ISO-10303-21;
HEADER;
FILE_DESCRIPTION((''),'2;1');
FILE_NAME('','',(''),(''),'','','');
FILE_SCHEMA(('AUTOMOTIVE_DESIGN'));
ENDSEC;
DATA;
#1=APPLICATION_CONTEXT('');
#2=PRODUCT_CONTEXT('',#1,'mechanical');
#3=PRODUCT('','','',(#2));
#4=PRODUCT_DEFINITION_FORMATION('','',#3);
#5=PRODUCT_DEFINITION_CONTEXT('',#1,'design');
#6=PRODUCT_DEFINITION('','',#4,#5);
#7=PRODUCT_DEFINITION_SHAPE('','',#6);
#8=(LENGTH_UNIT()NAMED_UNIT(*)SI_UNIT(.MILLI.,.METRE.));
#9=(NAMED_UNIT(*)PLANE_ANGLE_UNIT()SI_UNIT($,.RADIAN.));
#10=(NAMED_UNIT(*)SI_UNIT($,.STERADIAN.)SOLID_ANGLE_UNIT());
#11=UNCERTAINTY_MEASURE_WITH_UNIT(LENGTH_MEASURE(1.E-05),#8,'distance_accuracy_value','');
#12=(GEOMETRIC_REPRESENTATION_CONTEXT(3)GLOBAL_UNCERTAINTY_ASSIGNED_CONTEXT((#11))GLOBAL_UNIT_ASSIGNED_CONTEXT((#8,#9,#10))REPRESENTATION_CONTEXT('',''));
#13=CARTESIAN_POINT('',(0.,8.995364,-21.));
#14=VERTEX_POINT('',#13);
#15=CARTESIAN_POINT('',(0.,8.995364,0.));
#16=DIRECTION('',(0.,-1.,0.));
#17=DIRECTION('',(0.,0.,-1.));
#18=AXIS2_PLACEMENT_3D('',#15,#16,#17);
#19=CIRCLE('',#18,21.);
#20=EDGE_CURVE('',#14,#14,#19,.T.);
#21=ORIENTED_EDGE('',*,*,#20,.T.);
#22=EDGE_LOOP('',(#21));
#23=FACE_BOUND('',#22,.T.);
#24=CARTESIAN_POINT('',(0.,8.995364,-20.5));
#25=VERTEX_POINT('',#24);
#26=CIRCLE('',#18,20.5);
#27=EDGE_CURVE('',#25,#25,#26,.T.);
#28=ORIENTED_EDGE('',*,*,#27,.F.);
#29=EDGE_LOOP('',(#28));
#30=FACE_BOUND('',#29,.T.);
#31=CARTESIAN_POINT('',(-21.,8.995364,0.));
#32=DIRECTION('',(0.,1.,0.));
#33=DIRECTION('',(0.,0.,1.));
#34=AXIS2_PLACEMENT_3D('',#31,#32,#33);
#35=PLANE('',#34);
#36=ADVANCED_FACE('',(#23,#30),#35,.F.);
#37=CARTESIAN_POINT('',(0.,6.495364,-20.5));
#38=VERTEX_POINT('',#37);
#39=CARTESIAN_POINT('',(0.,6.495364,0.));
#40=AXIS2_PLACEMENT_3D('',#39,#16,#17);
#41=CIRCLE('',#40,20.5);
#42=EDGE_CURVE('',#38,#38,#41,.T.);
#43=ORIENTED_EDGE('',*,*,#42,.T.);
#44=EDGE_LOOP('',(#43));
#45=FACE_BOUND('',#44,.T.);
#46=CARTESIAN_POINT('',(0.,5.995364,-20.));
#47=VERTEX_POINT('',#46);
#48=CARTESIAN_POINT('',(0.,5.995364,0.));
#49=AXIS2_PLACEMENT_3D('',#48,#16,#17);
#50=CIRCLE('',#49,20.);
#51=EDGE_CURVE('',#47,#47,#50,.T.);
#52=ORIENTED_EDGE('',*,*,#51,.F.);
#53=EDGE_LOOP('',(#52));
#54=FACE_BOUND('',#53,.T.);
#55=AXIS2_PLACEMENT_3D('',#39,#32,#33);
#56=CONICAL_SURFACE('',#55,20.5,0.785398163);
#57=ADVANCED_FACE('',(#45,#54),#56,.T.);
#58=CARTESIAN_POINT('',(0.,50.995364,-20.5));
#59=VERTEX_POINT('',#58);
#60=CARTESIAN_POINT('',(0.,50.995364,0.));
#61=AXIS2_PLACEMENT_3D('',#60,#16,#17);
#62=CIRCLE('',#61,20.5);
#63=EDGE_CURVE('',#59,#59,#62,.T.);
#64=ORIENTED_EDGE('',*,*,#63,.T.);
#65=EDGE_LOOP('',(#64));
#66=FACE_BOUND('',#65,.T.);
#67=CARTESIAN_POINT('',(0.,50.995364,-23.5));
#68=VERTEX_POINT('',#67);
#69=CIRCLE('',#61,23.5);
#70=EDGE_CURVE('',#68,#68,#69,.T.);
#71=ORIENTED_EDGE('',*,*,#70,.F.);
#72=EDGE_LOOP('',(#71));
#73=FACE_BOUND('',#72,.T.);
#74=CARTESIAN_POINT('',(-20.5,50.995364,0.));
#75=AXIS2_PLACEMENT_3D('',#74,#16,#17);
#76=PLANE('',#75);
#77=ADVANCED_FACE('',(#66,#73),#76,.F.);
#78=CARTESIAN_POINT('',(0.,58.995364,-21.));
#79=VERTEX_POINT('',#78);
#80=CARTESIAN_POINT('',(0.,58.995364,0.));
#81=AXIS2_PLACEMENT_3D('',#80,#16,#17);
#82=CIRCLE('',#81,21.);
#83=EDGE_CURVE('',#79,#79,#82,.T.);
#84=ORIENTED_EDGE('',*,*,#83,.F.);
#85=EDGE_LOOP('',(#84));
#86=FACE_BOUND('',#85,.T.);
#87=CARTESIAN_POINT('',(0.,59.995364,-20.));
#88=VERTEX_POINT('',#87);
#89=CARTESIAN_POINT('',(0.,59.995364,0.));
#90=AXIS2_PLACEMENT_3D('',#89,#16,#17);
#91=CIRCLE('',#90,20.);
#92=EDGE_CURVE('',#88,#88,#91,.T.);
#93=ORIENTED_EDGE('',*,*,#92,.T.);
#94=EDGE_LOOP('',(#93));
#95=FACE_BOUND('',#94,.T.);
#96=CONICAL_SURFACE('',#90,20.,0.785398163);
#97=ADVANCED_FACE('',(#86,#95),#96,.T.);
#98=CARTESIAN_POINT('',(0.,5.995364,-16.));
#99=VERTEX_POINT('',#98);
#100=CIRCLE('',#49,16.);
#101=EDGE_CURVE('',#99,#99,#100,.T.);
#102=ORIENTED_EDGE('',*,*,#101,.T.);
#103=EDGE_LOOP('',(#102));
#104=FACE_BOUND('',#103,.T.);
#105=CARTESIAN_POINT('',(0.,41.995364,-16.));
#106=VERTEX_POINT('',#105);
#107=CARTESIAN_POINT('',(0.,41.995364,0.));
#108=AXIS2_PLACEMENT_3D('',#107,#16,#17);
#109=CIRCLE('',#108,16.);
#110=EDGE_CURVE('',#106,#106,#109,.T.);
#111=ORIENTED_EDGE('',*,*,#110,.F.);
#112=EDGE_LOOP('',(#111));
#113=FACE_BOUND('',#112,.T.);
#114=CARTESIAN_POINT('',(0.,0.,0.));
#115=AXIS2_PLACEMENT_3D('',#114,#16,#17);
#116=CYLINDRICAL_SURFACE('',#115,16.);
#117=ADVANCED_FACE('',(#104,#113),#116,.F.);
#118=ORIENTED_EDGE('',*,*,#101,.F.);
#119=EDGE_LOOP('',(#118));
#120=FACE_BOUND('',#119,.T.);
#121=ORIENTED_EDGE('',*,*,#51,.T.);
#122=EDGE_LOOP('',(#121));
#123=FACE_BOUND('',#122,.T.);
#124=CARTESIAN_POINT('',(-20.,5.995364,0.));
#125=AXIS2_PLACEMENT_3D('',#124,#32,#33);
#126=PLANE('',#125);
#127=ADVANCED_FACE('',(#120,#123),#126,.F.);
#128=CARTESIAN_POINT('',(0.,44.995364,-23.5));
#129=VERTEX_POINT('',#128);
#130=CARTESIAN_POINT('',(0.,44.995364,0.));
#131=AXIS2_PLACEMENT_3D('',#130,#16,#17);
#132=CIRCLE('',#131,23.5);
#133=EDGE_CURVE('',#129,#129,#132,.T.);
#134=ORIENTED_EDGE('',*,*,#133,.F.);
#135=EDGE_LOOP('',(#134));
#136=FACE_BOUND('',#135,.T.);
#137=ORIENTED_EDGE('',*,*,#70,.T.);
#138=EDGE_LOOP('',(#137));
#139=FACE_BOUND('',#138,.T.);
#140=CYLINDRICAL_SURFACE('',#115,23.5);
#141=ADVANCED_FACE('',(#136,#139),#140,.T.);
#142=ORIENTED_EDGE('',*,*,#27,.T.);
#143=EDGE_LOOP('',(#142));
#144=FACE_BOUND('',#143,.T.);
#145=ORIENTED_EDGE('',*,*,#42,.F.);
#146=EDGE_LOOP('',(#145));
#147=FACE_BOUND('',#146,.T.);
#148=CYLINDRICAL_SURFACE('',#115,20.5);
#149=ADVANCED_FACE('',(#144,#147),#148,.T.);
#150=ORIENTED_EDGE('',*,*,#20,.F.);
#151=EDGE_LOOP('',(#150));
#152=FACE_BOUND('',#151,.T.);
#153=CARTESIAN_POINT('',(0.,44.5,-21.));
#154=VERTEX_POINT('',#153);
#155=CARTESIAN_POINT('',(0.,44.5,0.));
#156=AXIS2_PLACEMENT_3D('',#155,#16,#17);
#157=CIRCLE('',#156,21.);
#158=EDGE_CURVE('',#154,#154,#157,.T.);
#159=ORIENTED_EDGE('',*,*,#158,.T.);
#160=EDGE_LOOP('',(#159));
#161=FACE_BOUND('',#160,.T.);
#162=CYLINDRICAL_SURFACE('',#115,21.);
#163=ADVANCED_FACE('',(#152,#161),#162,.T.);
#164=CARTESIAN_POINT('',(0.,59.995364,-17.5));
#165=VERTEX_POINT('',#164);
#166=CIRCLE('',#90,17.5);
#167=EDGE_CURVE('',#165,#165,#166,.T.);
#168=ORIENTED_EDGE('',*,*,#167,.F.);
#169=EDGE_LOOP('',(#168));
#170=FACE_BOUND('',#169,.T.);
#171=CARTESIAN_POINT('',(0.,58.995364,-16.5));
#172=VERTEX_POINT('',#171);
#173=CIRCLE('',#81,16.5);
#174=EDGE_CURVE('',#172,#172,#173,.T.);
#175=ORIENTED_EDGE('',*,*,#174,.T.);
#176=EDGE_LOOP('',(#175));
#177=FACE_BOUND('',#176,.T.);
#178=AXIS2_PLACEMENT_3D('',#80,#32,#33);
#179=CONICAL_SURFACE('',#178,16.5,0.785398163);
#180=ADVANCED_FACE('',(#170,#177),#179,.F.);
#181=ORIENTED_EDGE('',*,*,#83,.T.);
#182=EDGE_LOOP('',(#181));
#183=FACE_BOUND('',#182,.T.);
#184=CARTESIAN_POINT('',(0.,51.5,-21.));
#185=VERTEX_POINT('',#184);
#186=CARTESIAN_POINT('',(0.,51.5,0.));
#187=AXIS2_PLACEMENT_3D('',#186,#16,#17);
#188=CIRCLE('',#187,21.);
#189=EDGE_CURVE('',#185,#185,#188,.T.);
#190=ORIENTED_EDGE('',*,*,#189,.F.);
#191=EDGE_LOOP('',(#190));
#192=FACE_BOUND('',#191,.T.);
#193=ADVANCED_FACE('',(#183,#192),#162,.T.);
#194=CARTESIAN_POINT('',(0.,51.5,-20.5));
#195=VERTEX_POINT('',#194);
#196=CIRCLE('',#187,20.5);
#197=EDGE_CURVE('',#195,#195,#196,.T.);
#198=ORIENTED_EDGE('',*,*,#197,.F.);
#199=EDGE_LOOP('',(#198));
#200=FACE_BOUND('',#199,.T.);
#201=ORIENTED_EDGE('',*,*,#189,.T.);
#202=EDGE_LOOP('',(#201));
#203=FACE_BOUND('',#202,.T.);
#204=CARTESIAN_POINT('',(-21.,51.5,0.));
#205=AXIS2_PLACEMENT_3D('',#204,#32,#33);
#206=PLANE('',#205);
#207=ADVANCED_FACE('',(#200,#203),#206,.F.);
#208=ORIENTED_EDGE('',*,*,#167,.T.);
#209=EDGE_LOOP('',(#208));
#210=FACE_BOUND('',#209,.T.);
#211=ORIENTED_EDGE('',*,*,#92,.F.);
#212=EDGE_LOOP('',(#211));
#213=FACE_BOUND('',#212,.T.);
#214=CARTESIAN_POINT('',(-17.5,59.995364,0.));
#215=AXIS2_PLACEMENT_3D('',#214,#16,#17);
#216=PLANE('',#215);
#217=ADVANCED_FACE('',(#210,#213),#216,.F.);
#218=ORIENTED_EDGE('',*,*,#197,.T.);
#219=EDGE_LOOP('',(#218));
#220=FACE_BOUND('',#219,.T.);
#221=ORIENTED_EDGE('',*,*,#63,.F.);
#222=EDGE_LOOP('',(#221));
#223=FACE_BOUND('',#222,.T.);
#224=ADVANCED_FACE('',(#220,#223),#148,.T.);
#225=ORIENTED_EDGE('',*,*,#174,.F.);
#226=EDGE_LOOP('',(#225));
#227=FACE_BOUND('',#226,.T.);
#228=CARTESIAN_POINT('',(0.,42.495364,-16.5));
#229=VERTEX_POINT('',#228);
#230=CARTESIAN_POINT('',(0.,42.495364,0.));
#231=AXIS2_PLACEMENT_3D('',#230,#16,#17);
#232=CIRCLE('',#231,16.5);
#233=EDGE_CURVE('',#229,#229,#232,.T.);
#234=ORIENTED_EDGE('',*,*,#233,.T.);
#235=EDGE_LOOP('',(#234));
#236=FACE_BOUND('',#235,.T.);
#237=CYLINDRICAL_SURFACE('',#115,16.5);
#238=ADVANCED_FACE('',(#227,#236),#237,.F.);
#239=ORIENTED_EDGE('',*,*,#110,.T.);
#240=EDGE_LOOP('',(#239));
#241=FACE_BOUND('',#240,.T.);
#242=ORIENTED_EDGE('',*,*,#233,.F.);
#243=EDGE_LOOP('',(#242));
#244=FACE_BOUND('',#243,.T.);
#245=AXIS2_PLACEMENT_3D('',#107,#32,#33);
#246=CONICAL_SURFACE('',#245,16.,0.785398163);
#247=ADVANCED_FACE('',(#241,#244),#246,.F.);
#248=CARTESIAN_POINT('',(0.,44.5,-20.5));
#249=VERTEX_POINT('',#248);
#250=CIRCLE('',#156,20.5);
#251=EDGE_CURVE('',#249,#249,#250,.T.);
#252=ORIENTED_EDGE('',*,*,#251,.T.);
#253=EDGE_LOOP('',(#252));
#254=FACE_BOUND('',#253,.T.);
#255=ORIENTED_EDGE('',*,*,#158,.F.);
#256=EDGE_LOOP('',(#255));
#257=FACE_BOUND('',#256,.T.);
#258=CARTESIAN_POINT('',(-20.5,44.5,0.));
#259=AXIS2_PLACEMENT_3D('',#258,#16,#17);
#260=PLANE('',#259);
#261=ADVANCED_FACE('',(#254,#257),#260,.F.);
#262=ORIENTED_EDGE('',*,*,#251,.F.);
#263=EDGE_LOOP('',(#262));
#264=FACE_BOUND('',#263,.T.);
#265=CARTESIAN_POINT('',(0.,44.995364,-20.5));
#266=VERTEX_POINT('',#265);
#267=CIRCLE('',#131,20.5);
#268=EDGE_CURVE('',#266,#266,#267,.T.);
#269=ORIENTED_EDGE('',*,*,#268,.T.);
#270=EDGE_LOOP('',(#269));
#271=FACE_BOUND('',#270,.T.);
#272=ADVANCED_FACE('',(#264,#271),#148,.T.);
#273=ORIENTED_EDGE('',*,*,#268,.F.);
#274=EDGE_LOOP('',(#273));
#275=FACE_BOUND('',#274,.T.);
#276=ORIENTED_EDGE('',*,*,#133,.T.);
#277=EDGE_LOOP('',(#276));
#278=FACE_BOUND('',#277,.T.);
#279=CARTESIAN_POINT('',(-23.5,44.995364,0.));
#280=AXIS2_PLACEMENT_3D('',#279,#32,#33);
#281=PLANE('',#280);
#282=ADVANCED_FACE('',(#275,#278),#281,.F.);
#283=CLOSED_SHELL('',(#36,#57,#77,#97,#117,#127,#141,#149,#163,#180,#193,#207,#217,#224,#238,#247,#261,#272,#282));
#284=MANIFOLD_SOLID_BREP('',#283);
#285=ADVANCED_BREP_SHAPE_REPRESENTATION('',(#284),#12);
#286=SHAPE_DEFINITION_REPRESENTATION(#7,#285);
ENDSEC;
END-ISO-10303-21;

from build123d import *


with BuildPart() as part:
    # Szkic1 → Obrót1 (revolve)
    with BuildSketch(Plane.XY, mode=Mode.PRIVATE) as obr_t1_sk:
        Polygon((-17.5, 59.995363569), (-20, 59.995363569), (-21, 58.995363569), (-21, 51.5), (-20.5, 51.5), (-20.5, 50.995363569), (-23.5, 50.995363569), (-23.5, 44.995363569), (-20.5, 44.995363569), (-20.5, 44.5), (-21, 44.5), (-21, 8.995363569), (-20.5, 8.995363569), (-20.5, 6.495363569), (-20, 5.995363569), (-16, 5.995363569), (-16, 41.995363569), (-16.5, 42.495363569), (-16.5, 58.995363569), align=None)
    revolve(obr_t1_sk.sketch.rotate(Axis((0, 0, 0), (0, 1, 0)), 270), axis=Axis((0, 0, 0), (0, 1, 0)))


solid = part.part
